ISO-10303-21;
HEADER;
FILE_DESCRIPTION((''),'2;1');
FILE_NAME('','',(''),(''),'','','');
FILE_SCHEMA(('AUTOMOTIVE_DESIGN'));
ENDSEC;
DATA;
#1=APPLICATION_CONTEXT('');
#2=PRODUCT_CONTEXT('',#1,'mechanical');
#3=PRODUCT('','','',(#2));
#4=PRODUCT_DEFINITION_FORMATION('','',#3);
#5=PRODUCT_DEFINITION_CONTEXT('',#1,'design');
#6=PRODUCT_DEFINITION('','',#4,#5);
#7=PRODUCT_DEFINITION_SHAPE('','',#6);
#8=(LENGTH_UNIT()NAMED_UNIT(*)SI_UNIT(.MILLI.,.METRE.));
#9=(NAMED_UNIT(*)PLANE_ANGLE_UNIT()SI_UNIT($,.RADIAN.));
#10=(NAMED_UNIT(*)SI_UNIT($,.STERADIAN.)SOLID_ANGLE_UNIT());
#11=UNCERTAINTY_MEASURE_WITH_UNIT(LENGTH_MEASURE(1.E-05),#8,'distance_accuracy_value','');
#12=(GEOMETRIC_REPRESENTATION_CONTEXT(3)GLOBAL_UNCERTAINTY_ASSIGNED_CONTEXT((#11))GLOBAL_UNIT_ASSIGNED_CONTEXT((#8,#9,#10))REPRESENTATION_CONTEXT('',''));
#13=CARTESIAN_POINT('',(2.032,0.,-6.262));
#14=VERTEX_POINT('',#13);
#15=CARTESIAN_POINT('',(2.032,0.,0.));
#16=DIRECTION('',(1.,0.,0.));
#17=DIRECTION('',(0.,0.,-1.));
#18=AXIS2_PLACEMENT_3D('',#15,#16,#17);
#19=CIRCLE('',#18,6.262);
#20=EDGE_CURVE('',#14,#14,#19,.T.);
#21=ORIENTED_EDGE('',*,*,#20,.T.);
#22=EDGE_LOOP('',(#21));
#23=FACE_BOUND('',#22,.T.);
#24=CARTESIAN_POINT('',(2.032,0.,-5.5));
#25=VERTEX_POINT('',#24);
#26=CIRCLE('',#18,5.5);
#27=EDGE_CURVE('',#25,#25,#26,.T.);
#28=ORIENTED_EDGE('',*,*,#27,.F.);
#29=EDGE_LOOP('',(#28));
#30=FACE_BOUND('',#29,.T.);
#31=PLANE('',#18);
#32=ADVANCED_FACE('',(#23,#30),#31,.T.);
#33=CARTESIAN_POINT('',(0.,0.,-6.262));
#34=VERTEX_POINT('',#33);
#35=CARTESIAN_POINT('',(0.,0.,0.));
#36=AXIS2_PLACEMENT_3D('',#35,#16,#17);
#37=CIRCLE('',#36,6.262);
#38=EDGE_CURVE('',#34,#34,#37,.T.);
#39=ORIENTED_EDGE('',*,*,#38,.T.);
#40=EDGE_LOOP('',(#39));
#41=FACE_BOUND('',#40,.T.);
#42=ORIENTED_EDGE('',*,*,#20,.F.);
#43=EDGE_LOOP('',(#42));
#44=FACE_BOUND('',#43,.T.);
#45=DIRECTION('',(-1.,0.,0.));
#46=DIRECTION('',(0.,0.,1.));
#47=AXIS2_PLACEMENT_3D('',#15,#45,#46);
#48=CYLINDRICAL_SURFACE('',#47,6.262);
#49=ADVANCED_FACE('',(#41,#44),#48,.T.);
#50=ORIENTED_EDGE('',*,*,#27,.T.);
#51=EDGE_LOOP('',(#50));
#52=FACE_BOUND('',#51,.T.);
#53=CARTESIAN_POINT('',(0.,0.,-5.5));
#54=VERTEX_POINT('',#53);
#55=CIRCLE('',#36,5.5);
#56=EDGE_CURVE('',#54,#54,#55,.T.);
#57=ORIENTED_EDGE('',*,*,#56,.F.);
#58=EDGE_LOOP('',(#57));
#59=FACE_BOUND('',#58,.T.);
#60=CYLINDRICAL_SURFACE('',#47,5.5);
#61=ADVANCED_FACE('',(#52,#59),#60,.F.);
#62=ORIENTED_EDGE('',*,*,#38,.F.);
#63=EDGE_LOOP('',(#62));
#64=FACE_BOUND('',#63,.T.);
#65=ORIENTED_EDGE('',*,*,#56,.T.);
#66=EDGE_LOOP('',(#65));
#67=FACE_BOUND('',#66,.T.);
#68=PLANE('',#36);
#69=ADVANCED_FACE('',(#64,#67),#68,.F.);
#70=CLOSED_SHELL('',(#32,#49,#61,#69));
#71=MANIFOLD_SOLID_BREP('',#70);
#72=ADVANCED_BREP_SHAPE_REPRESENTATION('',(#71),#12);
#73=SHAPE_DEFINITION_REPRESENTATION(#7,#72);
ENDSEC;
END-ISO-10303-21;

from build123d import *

# Parameters (mm, degrees)
SKETCH1_R           = 6.262000049
SKETCH1_R_2         = 5.500000049
BOSS_EXTRUDE1_DEPTH = 2.032


with BuildPart() as part:
    # Sketch1 → Boss-Extrude1 (new body)
    with BuildSketch(Plane.YZ):
        with Locations(Location((0, 0, 0), (0, 0, 270))):
            Circle(SKETCH1_R)
        with Locations(Location((0, 0, 0), (0, 0, 270))):
            Circle(SKETCH1_R_2, mode=Mode.SUBTRACT)
    extrude(amount=BOSS_EXTRUDE1_DEPTH)


solid = part.part
